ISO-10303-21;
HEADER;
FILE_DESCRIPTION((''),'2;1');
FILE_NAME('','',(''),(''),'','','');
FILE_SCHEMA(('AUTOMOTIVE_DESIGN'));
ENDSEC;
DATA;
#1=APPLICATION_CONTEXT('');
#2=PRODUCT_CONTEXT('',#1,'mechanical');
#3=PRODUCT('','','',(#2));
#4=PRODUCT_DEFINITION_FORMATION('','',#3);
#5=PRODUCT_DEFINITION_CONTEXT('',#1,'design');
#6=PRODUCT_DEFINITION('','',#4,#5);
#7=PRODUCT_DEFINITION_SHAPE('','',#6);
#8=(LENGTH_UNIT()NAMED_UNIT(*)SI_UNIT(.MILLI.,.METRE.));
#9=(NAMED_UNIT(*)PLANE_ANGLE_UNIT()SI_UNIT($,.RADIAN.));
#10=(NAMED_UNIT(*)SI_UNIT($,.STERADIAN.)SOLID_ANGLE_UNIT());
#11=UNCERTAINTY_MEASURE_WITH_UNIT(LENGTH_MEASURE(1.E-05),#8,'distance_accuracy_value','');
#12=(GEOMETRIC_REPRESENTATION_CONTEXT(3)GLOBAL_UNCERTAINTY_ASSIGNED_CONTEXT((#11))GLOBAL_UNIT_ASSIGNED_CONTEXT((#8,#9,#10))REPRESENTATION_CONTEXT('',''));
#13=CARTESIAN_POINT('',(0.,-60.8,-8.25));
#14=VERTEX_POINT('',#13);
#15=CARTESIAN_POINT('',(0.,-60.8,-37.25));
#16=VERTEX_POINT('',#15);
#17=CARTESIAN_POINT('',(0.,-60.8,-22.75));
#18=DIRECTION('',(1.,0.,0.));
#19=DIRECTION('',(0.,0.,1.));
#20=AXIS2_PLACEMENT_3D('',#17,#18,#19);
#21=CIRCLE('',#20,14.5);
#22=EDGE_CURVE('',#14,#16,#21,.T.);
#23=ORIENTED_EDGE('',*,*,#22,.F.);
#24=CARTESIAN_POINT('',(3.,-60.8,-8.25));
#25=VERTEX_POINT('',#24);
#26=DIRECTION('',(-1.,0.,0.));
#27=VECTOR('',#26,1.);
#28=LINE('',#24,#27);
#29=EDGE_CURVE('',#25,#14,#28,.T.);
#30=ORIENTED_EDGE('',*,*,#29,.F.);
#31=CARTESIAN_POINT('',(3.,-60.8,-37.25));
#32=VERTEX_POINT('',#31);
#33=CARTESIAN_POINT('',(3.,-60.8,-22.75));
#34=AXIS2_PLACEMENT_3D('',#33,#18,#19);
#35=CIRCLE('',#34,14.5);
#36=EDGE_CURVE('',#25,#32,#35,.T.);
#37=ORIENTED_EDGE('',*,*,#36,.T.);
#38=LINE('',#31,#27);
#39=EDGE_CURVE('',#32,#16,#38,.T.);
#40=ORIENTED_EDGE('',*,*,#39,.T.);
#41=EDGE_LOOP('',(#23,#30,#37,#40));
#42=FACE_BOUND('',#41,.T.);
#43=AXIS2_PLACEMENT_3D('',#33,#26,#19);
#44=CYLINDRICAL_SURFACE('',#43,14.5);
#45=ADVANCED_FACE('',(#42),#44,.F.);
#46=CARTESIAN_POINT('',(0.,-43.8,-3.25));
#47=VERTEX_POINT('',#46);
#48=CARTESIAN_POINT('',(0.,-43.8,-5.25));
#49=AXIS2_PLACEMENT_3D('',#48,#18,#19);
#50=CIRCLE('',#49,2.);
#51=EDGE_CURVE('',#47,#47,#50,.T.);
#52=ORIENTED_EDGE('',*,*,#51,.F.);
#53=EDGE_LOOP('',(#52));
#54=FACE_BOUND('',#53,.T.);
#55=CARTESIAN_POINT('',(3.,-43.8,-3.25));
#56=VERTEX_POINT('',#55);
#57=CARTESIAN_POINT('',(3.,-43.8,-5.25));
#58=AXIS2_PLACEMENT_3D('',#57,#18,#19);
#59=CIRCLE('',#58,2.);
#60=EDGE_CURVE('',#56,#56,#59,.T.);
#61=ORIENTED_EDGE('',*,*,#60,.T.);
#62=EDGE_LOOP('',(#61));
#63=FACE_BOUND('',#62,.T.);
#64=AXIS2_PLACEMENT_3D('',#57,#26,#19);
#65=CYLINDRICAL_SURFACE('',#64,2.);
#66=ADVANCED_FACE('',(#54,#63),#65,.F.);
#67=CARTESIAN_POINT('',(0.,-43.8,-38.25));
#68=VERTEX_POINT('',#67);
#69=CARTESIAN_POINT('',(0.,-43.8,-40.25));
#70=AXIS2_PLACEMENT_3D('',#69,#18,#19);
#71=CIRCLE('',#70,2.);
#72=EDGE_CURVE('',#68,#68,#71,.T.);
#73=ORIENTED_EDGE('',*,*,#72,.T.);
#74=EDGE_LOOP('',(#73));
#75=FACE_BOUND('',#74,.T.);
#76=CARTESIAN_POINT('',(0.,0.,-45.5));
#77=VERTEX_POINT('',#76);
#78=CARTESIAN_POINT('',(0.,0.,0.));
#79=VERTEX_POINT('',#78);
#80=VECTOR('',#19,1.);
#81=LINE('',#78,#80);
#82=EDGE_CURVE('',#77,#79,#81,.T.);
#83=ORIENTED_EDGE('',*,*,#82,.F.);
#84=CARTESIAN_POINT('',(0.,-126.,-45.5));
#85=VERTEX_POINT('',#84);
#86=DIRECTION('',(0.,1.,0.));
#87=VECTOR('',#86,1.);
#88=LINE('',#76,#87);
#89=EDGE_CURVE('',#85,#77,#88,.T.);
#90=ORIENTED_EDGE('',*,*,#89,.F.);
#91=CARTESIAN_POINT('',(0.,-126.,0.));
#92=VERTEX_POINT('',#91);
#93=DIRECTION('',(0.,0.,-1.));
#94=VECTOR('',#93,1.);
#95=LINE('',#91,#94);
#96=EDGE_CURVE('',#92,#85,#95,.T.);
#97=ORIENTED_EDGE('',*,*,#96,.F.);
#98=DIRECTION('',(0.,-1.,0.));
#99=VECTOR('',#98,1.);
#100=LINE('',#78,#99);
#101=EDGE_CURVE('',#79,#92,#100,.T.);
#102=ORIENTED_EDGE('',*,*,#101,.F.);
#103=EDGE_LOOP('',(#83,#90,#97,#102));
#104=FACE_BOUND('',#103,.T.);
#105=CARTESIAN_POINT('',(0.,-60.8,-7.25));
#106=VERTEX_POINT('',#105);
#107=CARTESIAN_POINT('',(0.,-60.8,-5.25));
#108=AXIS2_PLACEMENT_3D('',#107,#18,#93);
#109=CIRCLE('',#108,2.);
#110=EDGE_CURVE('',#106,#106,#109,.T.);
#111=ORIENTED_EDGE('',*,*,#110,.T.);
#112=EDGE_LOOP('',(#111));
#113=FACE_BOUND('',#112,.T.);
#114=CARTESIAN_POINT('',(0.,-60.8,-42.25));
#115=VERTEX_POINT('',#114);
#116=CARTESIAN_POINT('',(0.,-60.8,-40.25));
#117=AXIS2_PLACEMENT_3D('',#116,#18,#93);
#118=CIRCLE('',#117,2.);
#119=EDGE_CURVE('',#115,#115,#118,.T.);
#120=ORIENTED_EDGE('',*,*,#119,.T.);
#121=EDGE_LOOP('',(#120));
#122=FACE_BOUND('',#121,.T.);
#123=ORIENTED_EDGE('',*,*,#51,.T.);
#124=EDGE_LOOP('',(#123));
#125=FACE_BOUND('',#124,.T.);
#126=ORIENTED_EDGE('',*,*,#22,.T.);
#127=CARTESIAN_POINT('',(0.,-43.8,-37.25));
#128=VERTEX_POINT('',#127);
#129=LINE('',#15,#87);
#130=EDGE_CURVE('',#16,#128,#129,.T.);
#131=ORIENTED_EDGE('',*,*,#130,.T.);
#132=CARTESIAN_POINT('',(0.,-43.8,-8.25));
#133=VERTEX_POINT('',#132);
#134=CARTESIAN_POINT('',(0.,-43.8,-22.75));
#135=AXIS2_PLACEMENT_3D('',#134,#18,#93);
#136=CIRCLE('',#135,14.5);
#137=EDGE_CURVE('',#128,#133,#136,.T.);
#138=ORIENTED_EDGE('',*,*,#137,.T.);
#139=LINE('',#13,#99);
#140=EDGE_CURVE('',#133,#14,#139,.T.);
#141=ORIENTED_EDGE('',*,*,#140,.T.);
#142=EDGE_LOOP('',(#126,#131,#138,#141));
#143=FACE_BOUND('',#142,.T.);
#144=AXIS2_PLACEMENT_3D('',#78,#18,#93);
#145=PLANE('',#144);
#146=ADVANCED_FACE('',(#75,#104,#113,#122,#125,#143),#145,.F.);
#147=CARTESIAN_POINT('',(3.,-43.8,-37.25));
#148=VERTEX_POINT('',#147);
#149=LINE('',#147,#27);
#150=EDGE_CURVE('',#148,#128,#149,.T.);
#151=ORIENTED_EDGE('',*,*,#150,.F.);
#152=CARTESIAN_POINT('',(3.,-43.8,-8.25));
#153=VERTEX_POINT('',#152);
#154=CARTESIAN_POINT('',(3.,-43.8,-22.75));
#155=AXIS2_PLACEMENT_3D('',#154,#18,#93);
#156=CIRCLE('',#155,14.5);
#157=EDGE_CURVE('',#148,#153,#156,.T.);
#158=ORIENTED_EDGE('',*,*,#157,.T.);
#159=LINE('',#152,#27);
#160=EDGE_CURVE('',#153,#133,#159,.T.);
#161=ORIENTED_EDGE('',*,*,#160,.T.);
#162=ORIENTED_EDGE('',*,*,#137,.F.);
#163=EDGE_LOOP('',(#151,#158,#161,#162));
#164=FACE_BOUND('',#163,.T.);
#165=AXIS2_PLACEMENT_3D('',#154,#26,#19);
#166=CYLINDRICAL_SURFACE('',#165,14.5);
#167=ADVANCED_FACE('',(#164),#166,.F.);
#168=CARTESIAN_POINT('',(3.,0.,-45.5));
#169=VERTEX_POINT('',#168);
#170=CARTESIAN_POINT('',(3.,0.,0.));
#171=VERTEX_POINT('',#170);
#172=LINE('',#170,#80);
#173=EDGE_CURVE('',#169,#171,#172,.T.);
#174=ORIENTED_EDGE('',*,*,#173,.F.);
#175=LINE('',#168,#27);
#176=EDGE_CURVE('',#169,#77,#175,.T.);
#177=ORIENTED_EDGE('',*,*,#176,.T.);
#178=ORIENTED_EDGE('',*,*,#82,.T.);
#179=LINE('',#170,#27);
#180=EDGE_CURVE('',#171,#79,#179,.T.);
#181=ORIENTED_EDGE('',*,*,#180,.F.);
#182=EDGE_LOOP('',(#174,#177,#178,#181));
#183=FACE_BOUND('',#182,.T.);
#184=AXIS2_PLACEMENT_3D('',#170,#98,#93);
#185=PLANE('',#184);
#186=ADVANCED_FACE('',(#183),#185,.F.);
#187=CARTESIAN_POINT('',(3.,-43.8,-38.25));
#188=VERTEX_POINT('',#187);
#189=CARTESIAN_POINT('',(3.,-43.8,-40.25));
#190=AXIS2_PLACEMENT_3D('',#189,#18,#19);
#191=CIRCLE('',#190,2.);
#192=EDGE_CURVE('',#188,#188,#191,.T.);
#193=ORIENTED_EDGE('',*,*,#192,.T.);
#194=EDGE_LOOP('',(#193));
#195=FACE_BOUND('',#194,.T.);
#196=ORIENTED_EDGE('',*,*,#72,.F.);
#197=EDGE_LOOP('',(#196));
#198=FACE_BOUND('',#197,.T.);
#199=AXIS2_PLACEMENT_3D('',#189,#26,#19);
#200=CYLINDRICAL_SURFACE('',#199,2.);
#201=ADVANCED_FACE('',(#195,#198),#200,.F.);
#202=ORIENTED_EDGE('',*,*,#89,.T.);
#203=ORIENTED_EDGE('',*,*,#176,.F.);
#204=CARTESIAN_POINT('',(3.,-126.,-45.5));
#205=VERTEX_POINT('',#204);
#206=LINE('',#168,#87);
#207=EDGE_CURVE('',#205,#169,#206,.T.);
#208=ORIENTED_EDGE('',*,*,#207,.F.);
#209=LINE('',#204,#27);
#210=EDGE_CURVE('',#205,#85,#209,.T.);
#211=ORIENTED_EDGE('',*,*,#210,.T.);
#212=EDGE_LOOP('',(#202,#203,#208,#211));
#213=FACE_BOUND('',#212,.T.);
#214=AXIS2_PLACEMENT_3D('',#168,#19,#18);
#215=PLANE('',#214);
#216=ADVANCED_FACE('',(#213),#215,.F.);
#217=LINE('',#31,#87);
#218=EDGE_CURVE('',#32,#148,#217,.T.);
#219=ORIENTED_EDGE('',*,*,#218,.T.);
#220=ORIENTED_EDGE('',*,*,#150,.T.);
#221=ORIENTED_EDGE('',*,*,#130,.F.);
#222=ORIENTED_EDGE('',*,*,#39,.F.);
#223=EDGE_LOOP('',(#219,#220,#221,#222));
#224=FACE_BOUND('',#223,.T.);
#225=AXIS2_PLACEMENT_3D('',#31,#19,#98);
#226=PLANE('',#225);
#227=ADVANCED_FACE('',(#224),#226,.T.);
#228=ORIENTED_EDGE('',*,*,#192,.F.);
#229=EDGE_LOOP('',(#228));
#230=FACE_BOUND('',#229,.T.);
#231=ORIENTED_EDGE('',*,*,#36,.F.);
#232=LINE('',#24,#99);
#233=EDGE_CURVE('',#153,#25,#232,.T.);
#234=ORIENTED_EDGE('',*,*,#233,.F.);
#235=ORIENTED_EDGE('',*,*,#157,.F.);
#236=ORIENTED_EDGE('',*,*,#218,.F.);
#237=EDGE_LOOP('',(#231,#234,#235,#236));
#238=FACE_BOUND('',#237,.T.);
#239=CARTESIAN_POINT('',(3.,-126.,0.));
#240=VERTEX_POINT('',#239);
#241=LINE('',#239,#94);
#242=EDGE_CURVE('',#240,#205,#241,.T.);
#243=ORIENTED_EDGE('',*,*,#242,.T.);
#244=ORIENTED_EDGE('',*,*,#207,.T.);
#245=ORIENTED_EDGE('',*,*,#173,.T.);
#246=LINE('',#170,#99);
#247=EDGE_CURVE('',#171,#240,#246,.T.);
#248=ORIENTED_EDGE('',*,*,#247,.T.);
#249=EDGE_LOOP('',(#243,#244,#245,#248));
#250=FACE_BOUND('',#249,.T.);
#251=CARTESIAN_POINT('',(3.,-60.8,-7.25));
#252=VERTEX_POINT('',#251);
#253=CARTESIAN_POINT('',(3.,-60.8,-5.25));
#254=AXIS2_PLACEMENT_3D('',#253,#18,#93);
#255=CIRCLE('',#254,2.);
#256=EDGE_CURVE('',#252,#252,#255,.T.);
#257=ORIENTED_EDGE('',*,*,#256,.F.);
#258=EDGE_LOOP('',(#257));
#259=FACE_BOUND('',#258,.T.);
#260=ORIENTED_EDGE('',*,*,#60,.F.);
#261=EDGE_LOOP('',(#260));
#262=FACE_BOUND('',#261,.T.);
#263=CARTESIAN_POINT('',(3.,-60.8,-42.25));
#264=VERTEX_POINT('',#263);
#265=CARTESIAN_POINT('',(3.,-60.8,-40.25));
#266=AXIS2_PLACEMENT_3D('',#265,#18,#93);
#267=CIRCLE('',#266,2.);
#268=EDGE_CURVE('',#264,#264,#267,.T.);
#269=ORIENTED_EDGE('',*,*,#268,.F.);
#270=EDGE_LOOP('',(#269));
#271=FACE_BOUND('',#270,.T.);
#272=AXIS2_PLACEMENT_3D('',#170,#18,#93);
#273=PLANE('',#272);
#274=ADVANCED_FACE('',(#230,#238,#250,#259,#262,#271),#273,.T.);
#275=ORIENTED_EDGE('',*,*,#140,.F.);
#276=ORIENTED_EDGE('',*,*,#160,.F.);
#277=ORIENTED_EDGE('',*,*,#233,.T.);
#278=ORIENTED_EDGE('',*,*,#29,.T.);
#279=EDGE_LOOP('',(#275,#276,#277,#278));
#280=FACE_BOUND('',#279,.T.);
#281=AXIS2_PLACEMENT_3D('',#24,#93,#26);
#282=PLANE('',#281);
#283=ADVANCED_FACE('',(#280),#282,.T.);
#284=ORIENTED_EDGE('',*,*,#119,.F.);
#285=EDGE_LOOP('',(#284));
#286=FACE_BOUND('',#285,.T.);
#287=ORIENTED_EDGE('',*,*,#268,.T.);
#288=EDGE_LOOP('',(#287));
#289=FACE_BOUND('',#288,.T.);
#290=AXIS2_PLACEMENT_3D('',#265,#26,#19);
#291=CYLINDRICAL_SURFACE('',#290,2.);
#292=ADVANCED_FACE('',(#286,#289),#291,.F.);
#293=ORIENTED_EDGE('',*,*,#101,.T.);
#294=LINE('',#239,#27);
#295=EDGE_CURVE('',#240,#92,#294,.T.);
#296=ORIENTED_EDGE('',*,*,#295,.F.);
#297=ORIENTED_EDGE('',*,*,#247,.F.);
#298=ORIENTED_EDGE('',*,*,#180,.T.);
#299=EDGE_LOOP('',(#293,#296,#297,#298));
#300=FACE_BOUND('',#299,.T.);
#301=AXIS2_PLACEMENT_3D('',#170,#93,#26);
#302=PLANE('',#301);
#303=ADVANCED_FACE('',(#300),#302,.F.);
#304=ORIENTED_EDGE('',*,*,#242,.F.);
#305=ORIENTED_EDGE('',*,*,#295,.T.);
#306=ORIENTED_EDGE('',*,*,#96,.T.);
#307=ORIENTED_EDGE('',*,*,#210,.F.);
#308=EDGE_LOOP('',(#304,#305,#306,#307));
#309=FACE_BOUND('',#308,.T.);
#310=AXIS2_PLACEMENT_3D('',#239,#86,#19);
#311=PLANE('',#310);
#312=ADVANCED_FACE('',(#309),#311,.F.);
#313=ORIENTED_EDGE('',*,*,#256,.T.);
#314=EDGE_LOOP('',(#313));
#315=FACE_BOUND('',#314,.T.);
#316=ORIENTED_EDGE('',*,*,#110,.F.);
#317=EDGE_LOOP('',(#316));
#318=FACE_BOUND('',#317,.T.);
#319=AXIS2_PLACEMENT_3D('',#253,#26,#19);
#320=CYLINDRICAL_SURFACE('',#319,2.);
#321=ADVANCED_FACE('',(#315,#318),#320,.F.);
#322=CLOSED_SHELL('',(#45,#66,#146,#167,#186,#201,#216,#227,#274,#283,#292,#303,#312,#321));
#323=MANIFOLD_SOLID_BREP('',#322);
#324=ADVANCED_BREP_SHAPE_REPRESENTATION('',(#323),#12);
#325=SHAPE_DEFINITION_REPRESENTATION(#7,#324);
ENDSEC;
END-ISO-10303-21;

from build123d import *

# Parameters (mm, degrees)
SKETCH1_W           = 45.5
SKETCH1_H           = 126
SKETCH1_R           = 2
BOSS_EXTRUDE1_DEPTH = 3


with BuildPart() as part:
    # Sketch1 → Boss-Extrude1 (new body)
    with BuildSketch(Plane(origin=(0, 0, 0), x_dir=(0, 0, -1), z_dir=(1, 0, 0))):
        with Locations((22.75, -63)):
            Rectangle(SKETCH1_W, SKETCH1_H)
        with Locations((5.25, -60.8)):
            Circle(SKETCH1_R, mode=Mode.SUBTRACT)
        with Locations((40.25, -60.8)):
            Circle(SKETCH1_R, mode=Mode.SUBTRACT)
        with Locations(Location((40.25, -43.8, 0), (0, 0, 180))):
            Circle(SKETCH1_R, mode=Mode.SUBTRACT)
        with Locations(Location((5.25, -43.8, 0), (0, 0, 180))):
            Circle(SKETCH1_R, mode=Mode.SUBTRACT)
        with BuildLine():
            Line((8.25, -60.8), (8.25, -43.8))
            ThreePointArc((8.25, -43.8), (22.75, -29.3), (37.25, -43.8))
            Line((37.25, -43.8), (37.25, -60.8))
            ThreePointArc((37.25, -60.8), (22.75, -75.3), (8.25, -60.8))
        make_face(mode=Mode.SUBTRACT)
    extrude(amount=BOSS_EXTRUDE1_DEPTH)


solid = part.part
